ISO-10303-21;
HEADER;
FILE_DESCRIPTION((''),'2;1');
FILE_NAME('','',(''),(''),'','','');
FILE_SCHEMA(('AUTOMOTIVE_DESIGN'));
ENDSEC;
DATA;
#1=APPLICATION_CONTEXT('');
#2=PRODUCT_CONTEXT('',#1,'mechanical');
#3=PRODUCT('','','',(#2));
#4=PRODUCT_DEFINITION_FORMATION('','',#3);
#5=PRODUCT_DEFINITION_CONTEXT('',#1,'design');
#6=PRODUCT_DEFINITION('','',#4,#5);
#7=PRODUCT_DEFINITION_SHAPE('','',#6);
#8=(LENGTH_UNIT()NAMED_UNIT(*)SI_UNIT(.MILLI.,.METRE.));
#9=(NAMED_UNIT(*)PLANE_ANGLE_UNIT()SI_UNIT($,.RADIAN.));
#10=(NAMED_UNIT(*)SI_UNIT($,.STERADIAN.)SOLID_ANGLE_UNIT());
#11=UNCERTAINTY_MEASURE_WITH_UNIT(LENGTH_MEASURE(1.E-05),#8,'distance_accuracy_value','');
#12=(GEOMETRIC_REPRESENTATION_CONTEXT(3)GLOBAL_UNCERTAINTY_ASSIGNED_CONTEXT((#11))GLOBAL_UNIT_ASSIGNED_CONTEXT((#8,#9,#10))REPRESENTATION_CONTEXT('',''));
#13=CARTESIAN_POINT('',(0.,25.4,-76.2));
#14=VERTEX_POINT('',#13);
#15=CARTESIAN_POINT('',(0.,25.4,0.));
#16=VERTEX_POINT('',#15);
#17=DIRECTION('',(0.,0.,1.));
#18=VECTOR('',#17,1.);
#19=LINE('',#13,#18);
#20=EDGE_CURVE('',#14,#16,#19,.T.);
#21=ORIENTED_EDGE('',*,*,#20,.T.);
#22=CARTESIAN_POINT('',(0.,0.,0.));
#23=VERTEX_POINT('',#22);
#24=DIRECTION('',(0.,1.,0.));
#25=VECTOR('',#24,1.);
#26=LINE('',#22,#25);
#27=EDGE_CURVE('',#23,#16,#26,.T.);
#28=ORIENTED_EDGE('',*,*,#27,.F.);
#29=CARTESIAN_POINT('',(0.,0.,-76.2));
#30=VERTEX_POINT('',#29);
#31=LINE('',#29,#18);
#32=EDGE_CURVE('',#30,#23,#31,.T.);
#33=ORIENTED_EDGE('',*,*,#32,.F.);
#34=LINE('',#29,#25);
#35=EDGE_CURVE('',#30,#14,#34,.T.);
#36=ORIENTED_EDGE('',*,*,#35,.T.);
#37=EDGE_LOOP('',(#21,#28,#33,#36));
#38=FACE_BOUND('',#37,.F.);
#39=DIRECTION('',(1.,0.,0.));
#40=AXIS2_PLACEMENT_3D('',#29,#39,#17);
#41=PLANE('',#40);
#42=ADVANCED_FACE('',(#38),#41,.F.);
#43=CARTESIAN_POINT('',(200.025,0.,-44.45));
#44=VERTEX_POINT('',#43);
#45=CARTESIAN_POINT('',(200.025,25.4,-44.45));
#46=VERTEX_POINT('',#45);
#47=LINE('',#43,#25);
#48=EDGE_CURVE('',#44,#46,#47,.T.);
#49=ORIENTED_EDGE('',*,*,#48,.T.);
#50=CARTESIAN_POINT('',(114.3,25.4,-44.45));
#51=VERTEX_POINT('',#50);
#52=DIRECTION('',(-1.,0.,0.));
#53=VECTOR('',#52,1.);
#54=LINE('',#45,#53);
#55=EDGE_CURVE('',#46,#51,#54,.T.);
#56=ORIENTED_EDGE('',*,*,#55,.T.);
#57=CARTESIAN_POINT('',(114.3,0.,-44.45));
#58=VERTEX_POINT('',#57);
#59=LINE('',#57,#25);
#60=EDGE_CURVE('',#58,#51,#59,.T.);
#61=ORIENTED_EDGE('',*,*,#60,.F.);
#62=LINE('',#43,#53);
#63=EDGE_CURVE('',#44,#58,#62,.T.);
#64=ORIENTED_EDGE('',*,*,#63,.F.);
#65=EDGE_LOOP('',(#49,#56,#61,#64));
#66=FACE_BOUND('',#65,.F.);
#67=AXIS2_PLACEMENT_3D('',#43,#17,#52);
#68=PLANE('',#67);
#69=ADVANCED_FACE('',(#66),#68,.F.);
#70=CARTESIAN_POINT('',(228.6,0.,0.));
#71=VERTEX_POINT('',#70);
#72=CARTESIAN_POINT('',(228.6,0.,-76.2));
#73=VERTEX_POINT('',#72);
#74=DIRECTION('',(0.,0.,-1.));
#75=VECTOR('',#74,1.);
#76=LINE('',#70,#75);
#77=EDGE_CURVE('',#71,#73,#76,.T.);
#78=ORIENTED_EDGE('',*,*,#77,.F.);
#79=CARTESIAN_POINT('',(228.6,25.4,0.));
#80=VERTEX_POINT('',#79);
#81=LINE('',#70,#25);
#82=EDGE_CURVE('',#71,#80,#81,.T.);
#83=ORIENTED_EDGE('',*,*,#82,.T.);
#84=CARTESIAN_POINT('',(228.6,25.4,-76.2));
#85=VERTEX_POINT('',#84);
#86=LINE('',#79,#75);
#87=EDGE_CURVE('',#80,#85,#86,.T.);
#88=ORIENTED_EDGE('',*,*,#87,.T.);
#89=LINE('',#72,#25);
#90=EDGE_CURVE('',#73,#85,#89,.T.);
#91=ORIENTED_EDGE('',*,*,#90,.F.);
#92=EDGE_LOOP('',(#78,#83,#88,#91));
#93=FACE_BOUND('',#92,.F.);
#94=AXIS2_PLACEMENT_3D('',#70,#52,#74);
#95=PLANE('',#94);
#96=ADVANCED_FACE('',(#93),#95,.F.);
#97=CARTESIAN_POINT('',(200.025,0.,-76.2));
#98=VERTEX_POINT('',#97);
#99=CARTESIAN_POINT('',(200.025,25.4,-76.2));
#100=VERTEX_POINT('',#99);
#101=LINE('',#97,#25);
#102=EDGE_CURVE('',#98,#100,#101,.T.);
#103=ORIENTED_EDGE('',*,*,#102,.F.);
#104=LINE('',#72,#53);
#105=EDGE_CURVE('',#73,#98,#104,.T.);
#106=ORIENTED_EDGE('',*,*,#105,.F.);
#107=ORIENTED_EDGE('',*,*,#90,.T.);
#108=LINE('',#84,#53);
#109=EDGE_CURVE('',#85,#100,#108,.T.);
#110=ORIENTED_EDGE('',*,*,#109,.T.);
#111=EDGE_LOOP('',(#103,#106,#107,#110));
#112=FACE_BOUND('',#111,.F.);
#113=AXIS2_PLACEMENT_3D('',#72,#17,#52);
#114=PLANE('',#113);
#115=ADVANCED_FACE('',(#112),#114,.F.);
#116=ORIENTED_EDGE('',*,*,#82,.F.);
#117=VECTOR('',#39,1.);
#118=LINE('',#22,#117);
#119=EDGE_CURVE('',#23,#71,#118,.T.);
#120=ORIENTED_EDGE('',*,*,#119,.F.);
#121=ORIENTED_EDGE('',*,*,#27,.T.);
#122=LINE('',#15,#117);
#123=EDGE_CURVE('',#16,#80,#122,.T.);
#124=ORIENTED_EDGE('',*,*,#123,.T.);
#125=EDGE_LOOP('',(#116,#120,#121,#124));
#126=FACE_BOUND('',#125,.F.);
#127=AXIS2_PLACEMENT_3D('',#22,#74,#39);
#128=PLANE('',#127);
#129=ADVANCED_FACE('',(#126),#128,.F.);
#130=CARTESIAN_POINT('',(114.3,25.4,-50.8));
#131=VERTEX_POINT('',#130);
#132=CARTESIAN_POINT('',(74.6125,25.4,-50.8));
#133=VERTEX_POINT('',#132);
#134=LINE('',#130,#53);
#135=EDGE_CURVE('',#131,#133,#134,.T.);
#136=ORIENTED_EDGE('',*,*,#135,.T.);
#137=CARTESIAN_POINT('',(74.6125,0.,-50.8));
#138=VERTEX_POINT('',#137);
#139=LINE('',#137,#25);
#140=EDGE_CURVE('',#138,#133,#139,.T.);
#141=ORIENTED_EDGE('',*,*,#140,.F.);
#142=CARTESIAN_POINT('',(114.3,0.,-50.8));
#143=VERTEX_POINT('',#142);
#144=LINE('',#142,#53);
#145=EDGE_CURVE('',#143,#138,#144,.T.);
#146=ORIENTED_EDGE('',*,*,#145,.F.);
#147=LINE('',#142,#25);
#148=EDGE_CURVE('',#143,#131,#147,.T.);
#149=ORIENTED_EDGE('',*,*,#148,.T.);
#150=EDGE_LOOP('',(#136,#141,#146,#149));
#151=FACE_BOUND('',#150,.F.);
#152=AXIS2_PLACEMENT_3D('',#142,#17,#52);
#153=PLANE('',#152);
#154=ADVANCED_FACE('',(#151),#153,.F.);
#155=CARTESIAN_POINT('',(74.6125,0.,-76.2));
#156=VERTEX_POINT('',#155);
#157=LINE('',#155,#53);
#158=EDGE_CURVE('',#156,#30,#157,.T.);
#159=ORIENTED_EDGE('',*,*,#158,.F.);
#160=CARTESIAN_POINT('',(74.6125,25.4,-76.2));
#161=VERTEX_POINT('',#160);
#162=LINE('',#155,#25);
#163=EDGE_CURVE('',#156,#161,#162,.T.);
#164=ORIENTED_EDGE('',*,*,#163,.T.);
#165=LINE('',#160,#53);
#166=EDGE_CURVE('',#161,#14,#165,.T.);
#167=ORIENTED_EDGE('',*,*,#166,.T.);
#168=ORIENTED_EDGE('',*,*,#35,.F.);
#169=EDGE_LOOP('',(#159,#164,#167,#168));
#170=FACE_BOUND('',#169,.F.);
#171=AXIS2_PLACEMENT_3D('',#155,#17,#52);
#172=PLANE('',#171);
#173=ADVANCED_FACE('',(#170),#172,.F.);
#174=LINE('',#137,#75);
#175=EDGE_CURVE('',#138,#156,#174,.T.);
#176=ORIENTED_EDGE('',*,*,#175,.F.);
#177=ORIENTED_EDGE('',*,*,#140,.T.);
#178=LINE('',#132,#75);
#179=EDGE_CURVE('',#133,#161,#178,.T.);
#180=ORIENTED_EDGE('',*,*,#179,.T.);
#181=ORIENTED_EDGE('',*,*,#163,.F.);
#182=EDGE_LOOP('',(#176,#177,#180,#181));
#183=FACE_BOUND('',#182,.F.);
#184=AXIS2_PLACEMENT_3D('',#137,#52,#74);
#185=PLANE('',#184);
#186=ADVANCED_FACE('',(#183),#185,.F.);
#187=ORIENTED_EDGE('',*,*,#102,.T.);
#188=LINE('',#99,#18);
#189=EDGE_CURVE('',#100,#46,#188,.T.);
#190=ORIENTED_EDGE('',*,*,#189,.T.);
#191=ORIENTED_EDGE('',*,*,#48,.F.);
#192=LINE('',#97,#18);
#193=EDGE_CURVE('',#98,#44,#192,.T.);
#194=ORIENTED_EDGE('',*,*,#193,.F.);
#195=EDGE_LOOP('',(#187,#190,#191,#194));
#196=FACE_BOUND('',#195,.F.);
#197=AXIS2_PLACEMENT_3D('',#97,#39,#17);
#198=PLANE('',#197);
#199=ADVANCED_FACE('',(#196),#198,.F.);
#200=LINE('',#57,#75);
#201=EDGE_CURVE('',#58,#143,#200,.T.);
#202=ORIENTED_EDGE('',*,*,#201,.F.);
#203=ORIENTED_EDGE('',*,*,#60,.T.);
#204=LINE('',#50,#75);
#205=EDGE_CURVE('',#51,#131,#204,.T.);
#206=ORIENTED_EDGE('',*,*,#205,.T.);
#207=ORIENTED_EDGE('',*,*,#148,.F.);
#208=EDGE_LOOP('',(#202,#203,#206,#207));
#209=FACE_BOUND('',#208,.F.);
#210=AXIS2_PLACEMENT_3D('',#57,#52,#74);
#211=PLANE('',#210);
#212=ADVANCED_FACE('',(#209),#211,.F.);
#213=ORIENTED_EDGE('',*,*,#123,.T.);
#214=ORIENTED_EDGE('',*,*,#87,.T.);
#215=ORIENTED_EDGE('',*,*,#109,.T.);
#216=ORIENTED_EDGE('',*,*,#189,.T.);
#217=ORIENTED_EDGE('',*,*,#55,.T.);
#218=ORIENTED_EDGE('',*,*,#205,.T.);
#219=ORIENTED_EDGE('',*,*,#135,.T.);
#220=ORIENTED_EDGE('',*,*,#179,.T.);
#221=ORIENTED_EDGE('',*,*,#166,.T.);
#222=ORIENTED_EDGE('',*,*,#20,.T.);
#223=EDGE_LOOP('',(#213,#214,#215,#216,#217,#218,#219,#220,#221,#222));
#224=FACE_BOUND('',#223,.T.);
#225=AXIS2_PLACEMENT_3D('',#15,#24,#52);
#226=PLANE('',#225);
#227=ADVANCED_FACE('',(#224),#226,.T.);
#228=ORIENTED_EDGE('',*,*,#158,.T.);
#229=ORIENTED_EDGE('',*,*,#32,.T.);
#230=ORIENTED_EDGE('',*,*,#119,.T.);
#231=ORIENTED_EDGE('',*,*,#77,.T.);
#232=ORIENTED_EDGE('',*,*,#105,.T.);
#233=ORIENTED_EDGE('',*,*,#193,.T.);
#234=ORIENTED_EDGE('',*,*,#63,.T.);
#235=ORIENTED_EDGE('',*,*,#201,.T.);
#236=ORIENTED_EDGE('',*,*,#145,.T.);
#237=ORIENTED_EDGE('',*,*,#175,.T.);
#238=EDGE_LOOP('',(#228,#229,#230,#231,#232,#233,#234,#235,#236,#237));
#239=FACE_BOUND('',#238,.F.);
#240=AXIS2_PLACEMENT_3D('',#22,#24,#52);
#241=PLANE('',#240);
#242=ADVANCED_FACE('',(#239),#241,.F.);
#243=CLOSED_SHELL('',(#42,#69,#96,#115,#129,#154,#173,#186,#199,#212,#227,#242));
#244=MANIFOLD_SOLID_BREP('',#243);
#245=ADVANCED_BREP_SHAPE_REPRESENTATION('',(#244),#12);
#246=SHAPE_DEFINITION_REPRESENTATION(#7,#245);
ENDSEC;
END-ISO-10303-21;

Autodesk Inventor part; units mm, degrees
ref_plane "YZ Plane" through (0, 0, 0) normal (1, 0, 0) x (0, 1, 0)
ref_plane "XZ Plane" through (0, 0, 0) normal (0, 1, 0) x (-1, 0, 0)
ref_plane "XY Plane" through (0, 0, 0) normal (0, 0, 1) x (1, 0, 0)
sketch "Sketch1" plane through (0, 0, 0) normal (0, 1, 0) x (-1, 0, 0)
  line L0 (0, 0) -> (-228.6, 0)
  line L1 (-228.6, 0) -> (-228.6, -76.2)
  line L2 (-228.6, -76.2) -> (-200.025, -76.2)
  line L3 (-200.025, -76.2) -> (-200.025, -44.45)
  line L4 (-200.025, -44.45) -> (-114.3, -44.45)
  line L5 (-114.3, -44.45) -> (-114.3, -50.8)
  line L6 (-114.3, -50.8) -> (-74.6125, -50.8)
  line L7 (-74.6125, -50.8) -> (-74.6125, -76.2)
  line L8 (-74.6125, -76.2) -> (0, -76.2)
  line L9 (0, -76.2) -> (0, 0)
  dimension "d0" = 228.6
  dimension "d2" = 76.2
  dimension "d3" = 28.575
  dimension "d4" = 31.75
  dimension "d5" = 85.725
  dimension "d6" = 6.35
  dimension "d7" = 39.6875
extrude "Extrusion1" add sketch "Sketch1" along normal blind 25.4
properties part number "StairTemplate"
